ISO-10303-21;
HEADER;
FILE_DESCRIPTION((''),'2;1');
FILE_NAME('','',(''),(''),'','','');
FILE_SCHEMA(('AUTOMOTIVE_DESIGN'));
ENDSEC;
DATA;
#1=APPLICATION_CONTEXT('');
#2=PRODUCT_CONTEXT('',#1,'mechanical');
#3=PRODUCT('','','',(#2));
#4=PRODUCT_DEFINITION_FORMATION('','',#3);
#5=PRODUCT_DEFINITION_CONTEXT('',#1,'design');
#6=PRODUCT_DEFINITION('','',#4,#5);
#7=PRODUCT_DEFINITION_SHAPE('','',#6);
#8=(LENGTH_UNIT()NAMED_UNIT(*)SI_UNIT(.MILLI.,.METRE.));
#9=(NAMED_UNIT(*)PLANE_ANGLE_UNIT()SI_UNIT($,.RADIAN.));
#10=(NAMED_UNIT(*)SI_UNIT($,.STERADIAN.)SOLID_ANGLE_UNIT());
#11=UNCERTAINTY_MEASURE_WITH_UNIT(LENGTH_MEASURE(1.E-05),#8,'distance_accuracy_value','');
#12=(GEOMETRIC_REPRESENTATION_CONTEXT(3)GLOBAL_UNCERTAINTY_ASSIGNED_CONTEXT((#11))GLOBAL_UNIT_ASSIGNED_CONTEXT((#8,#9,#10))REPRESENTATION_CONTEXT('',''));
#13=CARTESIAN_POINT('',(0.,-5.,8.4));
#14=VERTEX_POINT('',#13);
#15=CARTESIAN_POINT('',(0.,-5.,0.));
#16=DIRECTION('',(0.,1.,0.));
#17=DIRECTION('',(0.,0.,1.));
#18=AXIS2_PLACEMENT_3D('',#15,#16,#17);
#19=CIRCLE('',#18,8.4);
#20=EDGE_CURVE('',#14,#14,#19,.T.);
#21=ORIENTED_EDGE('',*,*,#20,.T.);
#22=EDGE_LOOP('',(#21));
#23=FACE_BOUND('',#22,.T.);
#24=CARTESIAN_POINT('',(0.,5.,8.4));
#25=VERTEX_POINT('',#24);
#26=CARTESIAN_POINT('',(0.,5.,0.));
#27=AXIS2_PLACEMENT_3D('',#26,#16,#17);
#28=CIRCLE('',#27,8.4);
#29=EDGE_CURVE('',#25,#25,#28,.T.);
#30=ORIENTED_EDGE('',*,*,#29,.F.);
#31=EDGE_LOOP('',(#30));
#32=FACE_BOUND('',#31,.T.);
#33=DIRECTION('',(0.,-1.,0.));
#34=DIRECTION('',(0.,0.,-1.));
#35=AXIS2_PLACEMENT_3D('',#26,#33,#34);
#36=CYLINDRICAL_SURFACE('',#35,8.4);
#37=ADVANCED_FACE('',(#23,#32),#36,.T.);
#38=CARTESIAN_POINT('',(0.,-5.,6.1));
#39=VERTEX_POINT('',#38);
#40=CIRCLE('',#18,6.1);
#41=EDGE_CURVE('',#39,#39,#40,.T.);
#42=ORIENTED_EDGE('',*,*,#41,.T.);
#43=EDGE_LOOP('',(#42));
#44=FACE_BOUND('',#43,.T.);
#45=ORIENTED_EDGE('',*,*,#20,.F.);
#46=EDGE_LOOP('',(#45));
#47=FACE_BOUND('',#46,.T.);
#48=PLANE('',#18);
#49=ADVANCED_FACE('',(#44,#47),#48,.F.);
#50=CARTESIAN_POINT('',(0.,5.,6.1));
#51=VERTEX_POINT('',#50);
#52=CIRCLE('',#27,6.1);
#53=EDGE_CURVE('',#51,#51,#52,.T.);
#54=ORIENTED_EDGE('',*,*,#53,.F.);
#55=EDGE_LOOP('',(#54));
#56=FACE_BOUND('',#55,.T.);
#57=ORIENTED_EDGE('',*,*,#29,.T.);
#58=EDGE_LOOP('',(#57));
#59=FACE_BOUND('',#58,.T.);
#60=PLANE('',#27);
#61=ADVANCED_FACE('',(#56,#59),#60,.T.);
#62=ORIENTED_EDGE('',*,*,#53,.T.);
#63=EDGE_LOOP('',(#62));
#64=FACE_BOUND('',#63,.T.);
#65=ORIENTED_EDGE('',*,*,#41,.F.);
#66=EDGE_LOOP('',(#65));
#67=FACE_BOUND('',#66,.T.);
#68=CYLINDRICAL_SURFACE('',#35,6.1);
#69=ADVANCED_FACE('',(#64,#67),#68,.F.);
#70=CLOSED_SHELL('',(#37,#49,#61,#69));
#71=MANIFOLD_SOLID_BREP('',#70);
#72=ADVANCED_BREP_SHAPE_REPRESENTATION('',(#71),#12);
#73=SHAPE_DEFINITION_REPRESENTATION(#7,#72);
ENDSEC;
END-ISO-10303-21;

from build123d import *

# Parameters (mm, degrees)
SKETCH_1_R      = 8.4
SKETCH_1_R_2    = 6.1
EXTRUDE_1_DEPTH = 5


with BuildPart() as part:
    # 스케치1 → 보스-돌출1 (new body, symmetric)
    with BuildSketch(Plane(origin=(0, 0, 0), x_dir=(1, 0, 0), z_dir=(0, 1, 0))):
        Circle(SKETCH_1_R)
        Circle(SKETCH_1_R_2, mode=Mode.SUBTRACT)
    extrude(amount=EXTRUDE_1_DEPTH, both=True)


solid = part.part
